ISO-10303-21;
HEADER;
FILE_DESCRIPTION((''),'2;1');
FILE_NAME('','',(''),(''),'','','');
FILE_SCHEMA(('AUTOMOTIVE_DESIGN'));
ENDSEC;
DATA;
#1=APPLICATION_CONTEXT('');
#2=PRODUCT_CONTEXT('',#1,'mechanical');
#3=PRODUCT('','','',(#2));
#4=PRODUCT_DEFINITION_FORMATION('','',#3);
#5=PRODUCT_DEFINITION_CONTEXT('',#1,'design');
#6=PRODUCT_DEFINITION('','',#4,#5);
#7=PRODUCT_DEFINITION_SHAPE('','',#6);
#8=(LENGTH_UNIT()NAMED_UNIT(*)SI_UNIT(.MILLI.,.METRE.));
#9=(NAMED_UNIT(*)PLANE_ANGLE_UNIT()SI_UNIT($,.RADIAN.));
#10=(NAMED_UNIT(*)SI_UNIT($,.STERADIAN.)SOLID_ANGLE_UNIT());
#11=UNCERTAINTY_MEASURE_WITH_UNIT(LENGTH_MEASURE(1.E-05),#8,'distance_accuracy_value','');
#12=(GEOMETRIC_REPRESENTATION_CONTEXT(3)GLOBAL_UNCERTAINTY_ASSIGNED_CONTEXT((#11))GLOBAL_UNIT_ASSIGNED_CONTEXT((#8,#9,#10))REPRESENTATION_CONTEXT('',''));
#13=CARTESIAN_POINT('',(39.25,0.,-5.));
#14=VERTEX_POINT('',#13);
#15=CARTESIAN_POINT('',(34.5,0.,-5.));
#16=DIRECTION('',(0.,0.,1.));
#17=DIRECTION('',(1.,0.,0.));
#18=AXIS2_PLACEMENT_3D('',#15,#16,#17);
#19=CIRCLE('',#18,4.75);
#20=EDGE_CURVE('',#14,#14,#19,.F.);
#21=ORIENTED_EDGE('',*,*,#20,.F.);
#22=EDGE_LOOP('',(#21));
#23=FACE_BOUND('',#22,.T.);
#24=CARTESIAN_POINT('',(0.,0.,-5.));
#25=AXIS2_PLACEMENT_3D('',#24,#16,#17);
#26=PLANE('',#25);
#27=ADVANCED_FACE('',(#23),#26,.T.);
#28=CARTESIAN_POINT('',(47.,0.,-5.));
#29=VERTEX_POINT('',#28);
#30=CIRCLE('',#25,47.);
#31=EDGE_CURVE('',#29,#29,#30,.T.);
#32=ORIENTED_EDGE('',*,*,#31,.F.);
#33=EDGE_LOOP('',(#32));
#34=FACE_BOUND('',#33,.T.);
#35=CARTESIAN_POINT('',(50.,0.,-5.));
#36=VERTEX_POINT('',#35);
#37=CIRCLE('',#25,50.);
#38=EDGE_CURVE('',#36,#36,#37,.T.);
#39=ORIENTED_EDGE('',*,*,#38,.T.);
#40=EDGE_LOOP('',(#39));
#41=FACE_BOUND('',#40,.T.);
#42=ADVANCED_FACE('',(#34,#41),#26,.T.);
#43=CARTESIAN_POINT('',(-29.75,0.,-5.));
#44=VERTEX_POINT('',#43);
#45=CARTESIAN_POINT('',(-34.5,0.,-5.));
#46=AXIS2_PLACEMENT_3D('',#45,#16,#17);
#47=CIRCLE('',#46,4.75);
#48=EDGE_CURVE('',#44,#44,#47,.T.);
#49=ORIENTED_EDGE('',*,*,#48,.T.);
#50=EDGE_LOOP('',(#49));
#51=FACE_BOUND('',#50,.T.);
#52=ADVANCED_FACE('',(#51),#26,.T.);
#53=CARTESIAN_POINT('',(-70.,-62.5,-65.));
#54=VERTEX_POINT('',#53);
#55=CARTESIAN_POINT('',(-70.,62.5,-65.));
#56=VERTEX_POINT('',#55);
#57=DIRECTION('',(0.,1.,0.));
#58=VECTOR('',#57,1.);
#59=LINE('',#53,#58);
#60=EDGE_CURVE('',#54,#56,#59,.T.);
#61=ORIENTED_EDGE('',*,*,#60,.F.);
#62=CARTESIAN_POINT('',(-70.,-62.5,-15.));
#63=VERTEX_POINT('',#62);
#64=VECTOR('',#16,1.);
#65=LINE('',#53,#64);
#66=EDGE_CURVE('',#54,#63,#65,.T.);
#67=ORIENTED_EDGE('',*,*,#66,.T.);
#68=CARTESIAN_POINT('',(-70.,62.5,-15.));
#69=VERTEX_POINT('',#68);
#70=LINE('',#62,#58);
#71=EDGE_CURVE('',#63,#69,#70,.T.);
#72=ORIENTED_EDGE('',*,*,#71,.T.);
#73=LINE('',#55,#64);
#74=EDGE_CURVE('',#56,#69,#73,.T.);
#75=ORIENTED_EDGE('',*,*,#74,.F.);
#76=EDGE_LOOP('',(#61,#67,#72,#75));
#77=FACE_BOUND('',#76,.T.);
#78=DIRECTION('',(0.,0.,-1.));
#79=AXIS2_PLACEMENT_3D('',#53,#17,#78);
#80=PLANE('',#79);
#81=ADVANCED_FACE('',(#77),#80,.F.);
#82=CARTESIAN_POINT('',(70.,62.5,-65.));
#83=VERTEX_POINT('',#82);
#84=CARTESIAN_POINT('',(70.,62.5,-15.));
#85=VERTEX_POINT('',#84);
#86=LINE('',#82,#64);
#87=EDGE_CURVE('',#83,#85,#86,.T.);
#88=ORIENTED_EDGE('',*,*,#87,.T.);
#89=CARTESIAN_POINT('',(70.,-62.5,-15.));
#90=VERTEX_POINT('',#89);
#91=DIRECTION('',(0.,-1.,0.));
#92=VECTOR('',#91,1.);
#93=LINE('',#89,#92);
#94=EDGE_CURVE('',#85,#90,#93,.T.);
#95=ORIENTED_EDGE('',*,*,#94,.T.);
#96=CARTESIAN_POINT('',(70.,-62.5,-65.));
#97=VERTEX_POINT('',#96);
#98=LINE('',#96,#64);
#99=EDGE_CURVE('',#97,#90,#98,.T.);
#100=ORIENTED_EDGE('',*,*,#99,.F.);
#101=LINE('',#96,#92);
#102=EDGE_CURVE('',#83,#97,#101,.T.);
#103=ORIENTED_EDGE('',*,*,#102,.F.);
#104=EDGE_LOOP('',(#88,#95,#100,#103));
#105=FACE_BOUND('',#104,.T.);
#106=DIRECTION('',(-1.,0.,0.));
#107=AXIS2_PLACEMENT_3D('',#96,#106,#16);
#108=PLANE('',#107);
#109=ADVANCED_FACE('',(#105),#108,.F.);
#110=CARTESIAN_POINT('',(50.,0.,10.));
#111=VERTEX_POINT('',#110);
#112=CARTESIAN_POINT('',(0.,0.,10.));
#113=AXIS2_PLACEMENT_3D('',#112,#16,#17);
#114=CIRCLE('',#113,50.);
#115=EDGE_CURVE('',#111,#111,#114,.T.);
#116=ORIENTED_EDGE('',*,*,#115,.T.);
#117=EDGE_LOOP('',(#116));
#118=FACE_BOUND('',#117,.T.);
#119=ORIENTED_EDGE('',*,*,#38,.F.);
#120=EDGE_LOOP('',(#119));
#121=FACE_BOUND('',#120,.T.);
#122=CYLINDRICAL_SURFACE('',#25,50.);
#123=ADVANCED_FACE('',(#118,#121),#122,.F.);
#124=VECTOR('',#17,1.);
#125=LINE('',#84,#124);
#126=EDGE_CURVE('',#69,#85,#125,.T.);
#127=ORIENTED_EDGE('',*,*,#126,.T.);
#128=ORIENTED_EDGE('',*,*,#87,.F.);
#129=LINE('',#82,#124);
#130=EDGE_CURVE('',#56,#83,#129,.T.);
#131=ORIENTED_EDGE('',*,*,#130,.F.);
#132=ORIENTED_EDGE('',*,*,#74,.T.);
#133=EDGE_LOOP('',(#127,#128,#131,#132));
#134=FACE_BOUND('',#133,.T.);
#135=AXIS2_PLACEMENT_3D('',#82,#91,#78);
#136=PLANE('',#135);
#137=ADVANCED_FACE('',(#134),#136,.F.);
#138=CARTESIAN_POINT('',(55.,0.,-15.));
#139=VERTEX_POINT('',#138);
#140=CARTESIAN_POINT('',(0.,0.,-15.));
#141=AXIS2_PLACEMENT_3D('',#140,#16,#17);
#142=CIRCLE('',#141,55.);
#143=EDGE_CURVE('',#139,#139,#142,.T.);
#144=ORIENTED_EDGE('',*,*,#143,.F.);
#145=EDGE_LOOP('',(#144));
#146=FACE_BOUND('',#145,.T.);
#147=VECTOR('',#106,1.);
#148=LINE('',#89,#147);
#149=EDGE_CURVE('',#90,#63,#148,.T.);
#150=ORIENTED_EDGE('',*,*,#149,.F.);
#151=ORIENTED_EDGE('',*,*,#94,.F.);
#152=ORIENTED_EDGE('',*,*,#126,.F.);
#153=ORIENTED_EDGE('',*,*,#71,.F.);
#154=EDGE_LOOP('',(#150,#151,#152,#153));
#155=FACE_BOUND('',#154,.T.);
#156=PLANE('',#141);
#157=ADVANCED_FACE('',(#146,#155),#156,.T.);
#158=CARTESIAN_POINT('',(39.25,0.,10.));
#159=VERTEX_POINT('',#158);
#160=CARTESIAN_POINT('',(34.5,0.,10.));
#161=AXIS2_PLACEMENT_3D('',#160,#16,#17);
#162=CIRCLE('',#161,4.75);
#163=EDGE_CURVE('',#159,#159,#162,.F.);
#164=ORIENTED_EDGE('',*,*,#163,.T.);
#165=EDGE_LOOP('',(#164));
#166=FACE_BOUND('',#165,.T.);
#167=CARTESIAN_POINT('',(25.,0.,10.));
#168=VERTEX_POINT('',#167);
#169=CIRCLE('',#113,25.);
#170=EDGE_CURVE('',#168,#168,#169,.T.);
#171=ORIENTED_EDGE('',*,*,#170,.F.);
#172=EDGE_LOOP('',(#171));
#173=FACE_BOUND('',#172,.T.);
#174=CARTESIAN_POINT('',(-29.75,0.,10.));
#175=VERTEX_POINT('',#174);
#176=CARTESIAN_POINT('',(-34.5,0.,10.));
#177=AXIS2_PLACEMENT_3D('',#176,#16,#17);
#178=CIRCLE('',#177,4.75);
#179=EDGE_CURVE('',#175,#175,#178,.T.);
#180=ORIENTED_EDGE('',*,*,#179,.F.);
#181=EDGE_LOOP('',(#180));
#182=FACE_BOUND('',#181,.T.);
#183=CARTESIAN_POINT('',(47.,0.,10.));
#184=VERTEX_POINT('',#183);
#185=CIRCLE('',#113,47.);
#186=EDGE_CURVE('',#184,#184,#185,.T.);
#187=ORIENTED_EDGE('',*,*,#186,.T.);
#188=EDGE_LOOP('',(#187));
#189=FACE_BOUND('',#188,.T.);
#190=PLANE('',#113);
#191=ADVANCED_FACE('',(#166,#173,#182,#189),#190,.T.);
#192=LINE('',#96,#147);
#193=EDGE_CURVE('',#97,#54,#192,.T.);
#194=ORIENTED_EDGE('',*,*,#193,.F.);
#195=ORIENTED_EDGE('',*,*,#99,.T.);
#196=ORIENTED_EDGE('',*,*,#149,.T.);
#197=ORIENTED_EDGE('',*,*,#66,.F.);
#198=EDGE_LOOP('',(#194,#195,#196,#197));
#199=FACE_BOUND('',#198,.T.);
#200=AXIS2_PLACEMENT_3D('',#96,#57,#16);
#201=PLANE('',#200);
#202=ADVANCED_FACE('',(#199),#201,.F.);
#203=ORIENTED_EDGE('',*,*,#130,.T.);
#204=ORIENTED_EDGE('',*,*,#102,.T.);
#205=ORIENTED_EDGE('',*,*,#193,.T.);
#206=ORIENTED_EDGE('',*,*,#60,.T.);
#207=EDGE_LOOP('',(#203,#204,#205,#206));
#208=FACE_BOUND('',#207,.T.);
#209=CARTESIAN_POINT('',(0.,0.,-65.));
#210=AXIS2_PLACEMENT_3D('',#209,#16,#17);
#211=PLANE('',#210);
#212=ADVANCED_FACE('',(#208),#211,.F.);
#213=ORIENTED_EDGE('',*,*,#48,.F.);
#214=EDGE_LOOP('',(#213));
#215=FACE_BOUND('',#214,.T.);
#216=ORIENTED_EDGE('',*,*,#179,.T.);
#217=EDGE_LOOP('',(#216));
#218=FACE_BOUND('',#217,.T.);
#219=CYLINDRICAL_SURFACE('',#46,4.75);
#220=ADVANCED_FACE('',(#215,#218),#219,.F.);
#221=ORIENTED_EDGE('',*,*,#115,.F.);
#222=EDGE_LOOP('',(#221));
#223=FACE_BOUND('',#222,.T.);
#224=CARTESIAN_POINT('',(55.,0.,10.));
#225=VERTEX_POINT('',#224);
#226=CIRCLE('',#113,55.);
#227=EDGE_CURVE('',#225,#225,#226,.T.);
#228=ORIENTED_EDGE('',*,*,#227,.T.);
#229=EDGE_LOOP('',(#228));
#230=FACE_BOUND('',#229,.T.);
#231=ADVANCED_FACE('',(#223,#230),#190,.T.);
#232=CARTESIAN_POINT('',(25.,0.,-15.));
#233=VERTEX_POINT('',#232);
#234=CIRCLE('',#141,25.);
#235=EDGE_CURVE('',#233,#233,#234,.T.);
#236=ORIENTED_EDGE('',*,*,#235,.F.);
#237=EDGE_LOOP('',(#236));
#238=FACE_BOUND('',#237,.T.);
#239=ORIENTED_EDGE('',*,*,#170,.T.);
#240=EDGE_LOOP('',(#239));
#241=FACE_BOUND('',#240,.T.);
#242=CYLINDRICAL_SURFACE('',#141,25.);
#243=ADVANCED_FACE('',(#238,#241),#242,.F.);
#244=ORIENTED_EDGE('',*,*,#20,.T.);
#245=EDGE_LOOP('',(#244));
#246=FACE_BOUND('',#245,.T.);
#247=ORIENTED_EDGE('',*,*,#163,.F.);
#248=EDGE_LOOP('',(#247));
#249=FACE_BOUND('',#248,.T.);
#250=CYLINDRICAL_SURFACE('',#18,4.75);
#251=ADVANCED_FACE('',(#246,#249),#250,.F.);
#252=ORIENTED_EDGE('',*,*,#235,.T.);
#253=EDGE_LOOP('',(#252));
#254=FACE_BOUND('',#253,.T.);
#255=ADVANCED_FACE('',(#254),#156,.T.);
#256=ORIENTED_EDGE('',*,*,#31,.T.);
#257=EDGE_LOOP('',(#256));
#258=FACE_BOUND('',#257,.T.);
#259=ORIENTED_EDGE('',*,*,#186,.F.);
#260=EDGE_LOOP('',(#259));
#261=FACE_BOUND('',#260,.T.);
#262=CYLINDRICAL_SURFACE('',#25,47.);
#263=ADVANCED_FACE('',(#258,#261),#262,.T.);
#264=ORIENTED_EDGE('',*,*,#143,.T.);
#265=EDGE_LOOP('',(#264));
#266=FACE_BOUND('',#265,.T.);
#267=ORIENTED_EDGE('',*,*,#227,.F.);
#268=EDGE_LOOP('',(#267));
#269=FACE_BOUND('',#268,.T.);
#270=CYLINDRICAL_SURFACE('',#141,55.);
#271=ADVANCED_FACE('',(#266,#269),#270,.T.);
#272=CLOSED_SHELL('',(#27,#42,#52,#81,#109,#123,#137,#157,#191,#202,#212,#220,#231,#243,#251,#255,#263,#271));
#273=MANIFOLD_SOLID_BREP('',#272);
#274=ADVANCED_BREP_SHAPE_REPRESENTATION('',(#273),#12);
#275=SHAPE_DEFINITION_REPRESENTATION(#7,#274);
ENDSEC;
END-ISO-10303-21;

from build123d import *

# Parameters (mm, degrees)
BOSS_EXTRUDE1_DEPTH      = 10
BOSS_EXTRUDE1_DEPTH_BACK = 15
SKETCH1_R                = 55
SKETCH1_R_2              = 25
SKETCH2_R                = 50
SKETCH2_R_2              = 47
SKETCH2_R_3              = 4.75
CUT_EXTRUDE1_DEPTH       = 15
SKETCH4_W                = 140
SKETCH4_H                = 125
BOSS_EXTRUDE3_DEPTH      = 50


with BuildPart() as part:
    # Sketch1 → Boss-Extrude1 (new, two sides: drawn at the far end of the back side and taken through both)
    with BuildSketch(Plane.XY.offset(-BOSS_EXTRUDE1_DEPTH_BACK)):
        Circle(SKETCH1_R)
        Circle(SKETCH1_R_2, mode=Mode.SUBTRACT)
    extrude(amount=BOSS_EXTRUDE1_DEPTH + BOSS_EXTRUDE1_DEPTH_BACK)

    # Sketch2 → Cut-Extrude1 (cut)
    # profile 1 of 3: a face of its own
    with BuildSketch(Plane.XY.offset(10)):
        Circle(SKETCH2_R)
        Circle(SKETCH2_R_2, mode=Mode.SUBTRACT)
    # profile 2 of 3: a face of its own
    with BuildSketch(Plane.XY.offset(10)):
        with Locations((-34.5, 0)):
            Circle(SKETCH2_R_3)
    # profile 3 of 3: a face of its own
    with BuildSketch(Plane.XY.offset(10)):
        with Locations((34.5, 0)):
            Circle(SKETCH2_R_3)
    extrude(amount=-CUT_EXTRUDE1_DEPTH, mode=Mode.SUBTRACT)

    # Sketch4 → Boss-Extrude3 (add)
    with BuildSketch(Plane(origin=(0, 0, -15), x_dir=(-1, 0, 0), z_dir=(0, 0, -1))):
        Rectangle(SKETCH4_W, SKETCH4_H)
    extrude(amount=BOSS_EXTRUDE3_DEPTH)


solid = part.part
